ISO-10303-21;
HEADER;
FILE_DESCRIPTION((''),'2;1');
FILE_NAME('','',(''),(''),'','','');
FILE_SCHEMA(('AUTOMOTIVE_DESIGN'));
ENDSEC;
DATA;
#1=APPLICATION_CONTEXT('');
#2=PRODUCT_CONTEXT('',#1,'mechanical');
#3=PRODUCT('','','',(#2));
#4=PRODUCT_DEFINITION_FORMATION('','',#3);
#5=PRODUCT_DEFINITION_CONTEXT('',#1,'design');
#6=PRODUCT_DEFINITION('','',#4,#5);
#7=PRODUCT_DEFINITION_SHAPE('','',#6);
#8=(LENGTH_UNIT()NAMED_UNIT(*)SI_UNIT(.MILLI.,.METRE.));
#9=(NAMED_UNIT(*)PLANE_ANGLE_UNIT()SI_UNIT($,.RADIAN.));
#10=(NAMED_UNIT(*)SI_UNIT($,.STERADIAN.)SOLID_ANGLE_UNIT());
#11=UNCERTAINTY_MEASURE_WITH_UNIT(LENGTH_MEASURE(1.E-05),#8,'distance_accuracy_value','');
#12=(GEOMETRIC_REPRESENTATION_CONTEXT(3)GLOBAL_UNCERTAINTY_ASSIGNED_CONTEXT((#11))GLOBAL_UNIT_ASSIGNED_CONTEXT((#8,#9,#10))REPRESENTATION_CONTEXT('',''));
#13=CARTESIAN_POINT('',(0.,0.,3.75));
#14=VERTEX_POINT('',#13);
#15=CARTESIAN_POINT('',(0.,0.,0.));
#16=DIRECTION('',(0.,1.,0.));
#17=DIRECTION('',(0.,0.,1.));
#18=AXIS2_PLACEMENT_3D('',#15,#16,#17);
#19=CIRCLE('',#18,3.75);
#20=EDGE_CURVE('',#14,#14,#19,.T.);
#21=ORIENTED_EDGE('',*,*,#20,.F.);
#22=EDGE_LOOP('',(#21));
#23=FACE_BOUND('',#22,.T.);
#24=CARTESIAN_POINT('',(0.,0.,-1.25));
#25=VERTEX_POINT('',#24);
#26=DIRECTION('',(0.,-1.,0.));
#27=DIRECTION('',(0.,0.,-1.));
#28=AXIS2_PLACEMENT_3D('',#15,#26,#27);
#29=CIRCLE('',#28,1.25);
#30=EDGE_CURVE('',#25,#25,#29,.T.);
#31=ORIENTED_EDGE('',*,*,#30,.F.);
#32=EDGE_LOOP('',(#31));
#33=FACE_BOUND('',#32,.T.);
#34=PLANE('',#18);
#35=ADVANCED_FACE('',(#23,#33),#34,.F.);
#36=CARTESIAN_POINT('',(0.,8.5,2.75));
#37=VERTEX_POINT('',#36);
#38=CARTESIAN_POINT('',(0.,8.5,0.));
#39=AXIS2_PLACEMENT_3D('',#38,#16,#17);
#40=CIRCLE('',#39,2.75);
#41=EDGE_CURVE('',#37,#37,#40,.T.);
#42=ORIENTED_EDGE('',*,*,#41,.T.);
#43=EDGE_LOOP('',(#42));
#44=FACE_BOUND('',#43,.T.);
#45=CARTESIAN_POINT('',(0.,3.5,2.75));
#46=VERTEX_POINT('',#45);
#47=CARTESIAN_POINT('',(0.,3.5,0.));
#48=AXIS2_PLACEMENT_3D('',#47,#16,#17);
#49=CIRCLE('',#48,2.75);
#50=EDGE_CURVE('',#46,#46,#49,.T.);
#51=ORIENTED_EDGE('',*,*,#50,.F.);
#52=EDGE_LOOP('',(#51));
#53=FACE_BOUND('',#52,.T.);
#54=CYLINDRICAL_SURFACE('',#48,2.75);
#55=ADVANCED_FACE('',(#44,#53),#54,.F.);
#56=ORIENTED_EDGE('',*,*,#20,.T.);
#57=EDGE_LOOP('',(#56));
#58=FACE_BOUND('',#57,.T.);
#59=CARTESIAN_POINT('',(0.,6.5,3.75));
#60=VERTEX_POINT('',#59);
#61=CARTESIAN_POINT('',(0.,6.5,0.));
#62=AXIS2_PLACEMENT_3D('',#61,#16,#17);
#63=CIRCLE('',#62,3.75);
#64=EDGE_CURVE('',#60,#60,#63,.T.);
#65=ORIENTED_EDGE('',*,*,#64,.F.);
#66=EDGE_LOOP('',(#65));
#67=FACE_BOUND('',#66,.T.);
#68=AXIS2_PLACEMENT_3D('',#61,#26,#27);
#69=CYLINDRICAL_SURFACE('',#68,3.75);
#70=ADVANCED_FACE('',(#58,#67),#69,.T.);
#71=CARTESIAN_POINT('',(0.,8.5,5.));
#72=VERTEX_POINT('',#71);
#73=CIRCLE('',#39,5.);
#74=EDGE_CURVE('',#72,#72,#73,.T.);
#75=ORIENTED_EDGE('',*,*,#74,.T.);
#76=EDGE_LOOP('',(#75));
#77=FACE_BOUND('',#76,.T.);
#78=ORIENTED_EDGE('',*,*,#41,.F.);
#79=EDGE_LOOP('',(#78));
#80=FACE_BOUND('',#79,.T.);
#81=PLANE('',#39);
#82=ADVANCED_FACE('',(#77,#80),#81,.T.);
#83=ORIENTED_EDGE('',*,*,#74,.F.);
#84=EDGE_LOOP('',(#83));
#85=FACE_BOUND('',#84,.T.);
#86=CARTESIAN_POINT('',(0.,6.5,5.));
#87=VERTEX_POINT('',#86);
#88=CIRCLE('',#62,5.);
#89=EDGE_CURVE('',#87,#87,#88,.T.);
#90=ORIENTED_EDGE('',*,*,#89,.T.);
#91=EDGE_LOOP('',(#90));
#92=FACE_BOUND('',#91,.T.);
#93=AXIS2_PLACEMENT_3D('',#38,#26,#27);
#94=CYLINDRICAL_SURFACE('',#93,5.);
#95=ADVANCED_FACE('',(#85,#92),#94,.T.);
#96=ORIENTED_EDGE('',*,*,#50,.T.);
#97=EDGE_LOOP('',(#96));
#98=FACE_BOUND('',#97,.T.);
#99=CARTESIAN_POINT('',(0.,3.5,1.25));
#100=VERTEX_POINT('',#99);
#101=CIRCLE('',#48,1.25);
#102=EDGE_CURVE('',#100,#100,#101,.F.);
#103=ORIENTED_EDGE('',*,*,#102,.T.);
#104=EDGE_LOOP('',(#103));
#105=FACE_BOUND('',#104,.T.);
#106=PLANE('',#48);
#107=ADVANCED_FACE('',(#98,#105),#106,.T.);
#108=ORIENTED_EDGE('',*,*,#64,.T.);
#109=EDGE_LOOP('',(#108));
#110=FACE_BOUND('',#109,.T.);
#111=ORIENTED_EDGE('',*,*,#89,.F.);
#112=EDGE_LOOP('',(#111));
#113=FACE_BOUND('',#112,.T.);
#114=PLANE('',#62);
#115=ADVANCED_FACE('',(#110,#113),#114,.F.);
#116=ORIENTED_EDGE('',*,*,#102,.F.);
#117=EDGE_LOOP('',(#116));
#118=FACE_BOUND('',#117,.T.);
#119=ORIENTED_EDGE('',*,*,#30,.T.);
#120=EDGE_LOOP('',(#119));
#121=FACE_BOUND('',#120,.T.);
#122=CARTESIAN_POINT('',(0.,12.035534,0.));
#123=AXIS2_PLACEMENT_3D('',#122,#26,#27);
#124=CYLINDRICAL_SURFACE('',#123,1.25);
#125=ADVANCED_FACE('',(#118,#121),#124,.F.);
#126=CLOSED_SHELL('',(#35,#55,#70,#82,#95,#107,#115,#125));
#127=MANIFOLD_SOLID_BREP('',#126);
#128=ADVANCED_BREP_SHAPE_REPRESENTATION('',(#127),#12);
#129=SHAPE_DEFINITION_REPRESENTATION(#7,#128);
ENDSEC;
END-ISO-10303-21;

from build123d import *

# Parameters (mm, degrees)
SKETCH2_R           = 3.75
BOSS_EXTRUDE1_DEPTH = 6.5
SKETCH3_R           = 5
BOSS_EXTRUDE2_DEPTH = 2
SKETCH4_R           = 1.25
CUT_EXTRUDE1_DEPTH  = 6.5
SKETCH5_R           = 2.75
CUT_EXTRUDE2_DEPTH  = 5


with BuildPart() as part:
    # Sketch2 → Boss-Extrude1 (new body)
    with BuildSketch(Plane(origin=(0, 0, 0), x_dir=(1, 0, 0), z_dir=(0, 1, 0))):
        Circle(SKETCH2_R)
    extrude(amount=BOSS_EXTRUDE1_DEPTH)

    # Sketch3 → Boss-Extrude2 (add)
    with BuildSketch(Plane(origin=(0, 6.5, 0), x_dir=(1, 0, 0), z_dir=(0, 1, 0))):
        Circle(SKETCH3_R)
    extrude(amount=BOSS_EXTRUDE2_DEPTH)

    # Sketch4 → Cut-Extrude1 (cut)
    with BuildSketch(Plane.XZ):
        Circle(SKETCH4_R)
    extrude(amount=-CUT_EXTRUDE1_DEPTH, mode=Mode.SUBTRACT)

    # Sketch5 → Cut-Extrude2 (cut)
    with BuildSketch(Plane(origin=(0, 8.5, 0), x_dir=(1, 0, 0), z_dir=(0, 1, 0))):
        Circle(SKETCH5_R)
    extrude(amount=-CUT_EXTRUDE2_DEPTH, mode=Mode.SUBTRACT)


solid = part.part
